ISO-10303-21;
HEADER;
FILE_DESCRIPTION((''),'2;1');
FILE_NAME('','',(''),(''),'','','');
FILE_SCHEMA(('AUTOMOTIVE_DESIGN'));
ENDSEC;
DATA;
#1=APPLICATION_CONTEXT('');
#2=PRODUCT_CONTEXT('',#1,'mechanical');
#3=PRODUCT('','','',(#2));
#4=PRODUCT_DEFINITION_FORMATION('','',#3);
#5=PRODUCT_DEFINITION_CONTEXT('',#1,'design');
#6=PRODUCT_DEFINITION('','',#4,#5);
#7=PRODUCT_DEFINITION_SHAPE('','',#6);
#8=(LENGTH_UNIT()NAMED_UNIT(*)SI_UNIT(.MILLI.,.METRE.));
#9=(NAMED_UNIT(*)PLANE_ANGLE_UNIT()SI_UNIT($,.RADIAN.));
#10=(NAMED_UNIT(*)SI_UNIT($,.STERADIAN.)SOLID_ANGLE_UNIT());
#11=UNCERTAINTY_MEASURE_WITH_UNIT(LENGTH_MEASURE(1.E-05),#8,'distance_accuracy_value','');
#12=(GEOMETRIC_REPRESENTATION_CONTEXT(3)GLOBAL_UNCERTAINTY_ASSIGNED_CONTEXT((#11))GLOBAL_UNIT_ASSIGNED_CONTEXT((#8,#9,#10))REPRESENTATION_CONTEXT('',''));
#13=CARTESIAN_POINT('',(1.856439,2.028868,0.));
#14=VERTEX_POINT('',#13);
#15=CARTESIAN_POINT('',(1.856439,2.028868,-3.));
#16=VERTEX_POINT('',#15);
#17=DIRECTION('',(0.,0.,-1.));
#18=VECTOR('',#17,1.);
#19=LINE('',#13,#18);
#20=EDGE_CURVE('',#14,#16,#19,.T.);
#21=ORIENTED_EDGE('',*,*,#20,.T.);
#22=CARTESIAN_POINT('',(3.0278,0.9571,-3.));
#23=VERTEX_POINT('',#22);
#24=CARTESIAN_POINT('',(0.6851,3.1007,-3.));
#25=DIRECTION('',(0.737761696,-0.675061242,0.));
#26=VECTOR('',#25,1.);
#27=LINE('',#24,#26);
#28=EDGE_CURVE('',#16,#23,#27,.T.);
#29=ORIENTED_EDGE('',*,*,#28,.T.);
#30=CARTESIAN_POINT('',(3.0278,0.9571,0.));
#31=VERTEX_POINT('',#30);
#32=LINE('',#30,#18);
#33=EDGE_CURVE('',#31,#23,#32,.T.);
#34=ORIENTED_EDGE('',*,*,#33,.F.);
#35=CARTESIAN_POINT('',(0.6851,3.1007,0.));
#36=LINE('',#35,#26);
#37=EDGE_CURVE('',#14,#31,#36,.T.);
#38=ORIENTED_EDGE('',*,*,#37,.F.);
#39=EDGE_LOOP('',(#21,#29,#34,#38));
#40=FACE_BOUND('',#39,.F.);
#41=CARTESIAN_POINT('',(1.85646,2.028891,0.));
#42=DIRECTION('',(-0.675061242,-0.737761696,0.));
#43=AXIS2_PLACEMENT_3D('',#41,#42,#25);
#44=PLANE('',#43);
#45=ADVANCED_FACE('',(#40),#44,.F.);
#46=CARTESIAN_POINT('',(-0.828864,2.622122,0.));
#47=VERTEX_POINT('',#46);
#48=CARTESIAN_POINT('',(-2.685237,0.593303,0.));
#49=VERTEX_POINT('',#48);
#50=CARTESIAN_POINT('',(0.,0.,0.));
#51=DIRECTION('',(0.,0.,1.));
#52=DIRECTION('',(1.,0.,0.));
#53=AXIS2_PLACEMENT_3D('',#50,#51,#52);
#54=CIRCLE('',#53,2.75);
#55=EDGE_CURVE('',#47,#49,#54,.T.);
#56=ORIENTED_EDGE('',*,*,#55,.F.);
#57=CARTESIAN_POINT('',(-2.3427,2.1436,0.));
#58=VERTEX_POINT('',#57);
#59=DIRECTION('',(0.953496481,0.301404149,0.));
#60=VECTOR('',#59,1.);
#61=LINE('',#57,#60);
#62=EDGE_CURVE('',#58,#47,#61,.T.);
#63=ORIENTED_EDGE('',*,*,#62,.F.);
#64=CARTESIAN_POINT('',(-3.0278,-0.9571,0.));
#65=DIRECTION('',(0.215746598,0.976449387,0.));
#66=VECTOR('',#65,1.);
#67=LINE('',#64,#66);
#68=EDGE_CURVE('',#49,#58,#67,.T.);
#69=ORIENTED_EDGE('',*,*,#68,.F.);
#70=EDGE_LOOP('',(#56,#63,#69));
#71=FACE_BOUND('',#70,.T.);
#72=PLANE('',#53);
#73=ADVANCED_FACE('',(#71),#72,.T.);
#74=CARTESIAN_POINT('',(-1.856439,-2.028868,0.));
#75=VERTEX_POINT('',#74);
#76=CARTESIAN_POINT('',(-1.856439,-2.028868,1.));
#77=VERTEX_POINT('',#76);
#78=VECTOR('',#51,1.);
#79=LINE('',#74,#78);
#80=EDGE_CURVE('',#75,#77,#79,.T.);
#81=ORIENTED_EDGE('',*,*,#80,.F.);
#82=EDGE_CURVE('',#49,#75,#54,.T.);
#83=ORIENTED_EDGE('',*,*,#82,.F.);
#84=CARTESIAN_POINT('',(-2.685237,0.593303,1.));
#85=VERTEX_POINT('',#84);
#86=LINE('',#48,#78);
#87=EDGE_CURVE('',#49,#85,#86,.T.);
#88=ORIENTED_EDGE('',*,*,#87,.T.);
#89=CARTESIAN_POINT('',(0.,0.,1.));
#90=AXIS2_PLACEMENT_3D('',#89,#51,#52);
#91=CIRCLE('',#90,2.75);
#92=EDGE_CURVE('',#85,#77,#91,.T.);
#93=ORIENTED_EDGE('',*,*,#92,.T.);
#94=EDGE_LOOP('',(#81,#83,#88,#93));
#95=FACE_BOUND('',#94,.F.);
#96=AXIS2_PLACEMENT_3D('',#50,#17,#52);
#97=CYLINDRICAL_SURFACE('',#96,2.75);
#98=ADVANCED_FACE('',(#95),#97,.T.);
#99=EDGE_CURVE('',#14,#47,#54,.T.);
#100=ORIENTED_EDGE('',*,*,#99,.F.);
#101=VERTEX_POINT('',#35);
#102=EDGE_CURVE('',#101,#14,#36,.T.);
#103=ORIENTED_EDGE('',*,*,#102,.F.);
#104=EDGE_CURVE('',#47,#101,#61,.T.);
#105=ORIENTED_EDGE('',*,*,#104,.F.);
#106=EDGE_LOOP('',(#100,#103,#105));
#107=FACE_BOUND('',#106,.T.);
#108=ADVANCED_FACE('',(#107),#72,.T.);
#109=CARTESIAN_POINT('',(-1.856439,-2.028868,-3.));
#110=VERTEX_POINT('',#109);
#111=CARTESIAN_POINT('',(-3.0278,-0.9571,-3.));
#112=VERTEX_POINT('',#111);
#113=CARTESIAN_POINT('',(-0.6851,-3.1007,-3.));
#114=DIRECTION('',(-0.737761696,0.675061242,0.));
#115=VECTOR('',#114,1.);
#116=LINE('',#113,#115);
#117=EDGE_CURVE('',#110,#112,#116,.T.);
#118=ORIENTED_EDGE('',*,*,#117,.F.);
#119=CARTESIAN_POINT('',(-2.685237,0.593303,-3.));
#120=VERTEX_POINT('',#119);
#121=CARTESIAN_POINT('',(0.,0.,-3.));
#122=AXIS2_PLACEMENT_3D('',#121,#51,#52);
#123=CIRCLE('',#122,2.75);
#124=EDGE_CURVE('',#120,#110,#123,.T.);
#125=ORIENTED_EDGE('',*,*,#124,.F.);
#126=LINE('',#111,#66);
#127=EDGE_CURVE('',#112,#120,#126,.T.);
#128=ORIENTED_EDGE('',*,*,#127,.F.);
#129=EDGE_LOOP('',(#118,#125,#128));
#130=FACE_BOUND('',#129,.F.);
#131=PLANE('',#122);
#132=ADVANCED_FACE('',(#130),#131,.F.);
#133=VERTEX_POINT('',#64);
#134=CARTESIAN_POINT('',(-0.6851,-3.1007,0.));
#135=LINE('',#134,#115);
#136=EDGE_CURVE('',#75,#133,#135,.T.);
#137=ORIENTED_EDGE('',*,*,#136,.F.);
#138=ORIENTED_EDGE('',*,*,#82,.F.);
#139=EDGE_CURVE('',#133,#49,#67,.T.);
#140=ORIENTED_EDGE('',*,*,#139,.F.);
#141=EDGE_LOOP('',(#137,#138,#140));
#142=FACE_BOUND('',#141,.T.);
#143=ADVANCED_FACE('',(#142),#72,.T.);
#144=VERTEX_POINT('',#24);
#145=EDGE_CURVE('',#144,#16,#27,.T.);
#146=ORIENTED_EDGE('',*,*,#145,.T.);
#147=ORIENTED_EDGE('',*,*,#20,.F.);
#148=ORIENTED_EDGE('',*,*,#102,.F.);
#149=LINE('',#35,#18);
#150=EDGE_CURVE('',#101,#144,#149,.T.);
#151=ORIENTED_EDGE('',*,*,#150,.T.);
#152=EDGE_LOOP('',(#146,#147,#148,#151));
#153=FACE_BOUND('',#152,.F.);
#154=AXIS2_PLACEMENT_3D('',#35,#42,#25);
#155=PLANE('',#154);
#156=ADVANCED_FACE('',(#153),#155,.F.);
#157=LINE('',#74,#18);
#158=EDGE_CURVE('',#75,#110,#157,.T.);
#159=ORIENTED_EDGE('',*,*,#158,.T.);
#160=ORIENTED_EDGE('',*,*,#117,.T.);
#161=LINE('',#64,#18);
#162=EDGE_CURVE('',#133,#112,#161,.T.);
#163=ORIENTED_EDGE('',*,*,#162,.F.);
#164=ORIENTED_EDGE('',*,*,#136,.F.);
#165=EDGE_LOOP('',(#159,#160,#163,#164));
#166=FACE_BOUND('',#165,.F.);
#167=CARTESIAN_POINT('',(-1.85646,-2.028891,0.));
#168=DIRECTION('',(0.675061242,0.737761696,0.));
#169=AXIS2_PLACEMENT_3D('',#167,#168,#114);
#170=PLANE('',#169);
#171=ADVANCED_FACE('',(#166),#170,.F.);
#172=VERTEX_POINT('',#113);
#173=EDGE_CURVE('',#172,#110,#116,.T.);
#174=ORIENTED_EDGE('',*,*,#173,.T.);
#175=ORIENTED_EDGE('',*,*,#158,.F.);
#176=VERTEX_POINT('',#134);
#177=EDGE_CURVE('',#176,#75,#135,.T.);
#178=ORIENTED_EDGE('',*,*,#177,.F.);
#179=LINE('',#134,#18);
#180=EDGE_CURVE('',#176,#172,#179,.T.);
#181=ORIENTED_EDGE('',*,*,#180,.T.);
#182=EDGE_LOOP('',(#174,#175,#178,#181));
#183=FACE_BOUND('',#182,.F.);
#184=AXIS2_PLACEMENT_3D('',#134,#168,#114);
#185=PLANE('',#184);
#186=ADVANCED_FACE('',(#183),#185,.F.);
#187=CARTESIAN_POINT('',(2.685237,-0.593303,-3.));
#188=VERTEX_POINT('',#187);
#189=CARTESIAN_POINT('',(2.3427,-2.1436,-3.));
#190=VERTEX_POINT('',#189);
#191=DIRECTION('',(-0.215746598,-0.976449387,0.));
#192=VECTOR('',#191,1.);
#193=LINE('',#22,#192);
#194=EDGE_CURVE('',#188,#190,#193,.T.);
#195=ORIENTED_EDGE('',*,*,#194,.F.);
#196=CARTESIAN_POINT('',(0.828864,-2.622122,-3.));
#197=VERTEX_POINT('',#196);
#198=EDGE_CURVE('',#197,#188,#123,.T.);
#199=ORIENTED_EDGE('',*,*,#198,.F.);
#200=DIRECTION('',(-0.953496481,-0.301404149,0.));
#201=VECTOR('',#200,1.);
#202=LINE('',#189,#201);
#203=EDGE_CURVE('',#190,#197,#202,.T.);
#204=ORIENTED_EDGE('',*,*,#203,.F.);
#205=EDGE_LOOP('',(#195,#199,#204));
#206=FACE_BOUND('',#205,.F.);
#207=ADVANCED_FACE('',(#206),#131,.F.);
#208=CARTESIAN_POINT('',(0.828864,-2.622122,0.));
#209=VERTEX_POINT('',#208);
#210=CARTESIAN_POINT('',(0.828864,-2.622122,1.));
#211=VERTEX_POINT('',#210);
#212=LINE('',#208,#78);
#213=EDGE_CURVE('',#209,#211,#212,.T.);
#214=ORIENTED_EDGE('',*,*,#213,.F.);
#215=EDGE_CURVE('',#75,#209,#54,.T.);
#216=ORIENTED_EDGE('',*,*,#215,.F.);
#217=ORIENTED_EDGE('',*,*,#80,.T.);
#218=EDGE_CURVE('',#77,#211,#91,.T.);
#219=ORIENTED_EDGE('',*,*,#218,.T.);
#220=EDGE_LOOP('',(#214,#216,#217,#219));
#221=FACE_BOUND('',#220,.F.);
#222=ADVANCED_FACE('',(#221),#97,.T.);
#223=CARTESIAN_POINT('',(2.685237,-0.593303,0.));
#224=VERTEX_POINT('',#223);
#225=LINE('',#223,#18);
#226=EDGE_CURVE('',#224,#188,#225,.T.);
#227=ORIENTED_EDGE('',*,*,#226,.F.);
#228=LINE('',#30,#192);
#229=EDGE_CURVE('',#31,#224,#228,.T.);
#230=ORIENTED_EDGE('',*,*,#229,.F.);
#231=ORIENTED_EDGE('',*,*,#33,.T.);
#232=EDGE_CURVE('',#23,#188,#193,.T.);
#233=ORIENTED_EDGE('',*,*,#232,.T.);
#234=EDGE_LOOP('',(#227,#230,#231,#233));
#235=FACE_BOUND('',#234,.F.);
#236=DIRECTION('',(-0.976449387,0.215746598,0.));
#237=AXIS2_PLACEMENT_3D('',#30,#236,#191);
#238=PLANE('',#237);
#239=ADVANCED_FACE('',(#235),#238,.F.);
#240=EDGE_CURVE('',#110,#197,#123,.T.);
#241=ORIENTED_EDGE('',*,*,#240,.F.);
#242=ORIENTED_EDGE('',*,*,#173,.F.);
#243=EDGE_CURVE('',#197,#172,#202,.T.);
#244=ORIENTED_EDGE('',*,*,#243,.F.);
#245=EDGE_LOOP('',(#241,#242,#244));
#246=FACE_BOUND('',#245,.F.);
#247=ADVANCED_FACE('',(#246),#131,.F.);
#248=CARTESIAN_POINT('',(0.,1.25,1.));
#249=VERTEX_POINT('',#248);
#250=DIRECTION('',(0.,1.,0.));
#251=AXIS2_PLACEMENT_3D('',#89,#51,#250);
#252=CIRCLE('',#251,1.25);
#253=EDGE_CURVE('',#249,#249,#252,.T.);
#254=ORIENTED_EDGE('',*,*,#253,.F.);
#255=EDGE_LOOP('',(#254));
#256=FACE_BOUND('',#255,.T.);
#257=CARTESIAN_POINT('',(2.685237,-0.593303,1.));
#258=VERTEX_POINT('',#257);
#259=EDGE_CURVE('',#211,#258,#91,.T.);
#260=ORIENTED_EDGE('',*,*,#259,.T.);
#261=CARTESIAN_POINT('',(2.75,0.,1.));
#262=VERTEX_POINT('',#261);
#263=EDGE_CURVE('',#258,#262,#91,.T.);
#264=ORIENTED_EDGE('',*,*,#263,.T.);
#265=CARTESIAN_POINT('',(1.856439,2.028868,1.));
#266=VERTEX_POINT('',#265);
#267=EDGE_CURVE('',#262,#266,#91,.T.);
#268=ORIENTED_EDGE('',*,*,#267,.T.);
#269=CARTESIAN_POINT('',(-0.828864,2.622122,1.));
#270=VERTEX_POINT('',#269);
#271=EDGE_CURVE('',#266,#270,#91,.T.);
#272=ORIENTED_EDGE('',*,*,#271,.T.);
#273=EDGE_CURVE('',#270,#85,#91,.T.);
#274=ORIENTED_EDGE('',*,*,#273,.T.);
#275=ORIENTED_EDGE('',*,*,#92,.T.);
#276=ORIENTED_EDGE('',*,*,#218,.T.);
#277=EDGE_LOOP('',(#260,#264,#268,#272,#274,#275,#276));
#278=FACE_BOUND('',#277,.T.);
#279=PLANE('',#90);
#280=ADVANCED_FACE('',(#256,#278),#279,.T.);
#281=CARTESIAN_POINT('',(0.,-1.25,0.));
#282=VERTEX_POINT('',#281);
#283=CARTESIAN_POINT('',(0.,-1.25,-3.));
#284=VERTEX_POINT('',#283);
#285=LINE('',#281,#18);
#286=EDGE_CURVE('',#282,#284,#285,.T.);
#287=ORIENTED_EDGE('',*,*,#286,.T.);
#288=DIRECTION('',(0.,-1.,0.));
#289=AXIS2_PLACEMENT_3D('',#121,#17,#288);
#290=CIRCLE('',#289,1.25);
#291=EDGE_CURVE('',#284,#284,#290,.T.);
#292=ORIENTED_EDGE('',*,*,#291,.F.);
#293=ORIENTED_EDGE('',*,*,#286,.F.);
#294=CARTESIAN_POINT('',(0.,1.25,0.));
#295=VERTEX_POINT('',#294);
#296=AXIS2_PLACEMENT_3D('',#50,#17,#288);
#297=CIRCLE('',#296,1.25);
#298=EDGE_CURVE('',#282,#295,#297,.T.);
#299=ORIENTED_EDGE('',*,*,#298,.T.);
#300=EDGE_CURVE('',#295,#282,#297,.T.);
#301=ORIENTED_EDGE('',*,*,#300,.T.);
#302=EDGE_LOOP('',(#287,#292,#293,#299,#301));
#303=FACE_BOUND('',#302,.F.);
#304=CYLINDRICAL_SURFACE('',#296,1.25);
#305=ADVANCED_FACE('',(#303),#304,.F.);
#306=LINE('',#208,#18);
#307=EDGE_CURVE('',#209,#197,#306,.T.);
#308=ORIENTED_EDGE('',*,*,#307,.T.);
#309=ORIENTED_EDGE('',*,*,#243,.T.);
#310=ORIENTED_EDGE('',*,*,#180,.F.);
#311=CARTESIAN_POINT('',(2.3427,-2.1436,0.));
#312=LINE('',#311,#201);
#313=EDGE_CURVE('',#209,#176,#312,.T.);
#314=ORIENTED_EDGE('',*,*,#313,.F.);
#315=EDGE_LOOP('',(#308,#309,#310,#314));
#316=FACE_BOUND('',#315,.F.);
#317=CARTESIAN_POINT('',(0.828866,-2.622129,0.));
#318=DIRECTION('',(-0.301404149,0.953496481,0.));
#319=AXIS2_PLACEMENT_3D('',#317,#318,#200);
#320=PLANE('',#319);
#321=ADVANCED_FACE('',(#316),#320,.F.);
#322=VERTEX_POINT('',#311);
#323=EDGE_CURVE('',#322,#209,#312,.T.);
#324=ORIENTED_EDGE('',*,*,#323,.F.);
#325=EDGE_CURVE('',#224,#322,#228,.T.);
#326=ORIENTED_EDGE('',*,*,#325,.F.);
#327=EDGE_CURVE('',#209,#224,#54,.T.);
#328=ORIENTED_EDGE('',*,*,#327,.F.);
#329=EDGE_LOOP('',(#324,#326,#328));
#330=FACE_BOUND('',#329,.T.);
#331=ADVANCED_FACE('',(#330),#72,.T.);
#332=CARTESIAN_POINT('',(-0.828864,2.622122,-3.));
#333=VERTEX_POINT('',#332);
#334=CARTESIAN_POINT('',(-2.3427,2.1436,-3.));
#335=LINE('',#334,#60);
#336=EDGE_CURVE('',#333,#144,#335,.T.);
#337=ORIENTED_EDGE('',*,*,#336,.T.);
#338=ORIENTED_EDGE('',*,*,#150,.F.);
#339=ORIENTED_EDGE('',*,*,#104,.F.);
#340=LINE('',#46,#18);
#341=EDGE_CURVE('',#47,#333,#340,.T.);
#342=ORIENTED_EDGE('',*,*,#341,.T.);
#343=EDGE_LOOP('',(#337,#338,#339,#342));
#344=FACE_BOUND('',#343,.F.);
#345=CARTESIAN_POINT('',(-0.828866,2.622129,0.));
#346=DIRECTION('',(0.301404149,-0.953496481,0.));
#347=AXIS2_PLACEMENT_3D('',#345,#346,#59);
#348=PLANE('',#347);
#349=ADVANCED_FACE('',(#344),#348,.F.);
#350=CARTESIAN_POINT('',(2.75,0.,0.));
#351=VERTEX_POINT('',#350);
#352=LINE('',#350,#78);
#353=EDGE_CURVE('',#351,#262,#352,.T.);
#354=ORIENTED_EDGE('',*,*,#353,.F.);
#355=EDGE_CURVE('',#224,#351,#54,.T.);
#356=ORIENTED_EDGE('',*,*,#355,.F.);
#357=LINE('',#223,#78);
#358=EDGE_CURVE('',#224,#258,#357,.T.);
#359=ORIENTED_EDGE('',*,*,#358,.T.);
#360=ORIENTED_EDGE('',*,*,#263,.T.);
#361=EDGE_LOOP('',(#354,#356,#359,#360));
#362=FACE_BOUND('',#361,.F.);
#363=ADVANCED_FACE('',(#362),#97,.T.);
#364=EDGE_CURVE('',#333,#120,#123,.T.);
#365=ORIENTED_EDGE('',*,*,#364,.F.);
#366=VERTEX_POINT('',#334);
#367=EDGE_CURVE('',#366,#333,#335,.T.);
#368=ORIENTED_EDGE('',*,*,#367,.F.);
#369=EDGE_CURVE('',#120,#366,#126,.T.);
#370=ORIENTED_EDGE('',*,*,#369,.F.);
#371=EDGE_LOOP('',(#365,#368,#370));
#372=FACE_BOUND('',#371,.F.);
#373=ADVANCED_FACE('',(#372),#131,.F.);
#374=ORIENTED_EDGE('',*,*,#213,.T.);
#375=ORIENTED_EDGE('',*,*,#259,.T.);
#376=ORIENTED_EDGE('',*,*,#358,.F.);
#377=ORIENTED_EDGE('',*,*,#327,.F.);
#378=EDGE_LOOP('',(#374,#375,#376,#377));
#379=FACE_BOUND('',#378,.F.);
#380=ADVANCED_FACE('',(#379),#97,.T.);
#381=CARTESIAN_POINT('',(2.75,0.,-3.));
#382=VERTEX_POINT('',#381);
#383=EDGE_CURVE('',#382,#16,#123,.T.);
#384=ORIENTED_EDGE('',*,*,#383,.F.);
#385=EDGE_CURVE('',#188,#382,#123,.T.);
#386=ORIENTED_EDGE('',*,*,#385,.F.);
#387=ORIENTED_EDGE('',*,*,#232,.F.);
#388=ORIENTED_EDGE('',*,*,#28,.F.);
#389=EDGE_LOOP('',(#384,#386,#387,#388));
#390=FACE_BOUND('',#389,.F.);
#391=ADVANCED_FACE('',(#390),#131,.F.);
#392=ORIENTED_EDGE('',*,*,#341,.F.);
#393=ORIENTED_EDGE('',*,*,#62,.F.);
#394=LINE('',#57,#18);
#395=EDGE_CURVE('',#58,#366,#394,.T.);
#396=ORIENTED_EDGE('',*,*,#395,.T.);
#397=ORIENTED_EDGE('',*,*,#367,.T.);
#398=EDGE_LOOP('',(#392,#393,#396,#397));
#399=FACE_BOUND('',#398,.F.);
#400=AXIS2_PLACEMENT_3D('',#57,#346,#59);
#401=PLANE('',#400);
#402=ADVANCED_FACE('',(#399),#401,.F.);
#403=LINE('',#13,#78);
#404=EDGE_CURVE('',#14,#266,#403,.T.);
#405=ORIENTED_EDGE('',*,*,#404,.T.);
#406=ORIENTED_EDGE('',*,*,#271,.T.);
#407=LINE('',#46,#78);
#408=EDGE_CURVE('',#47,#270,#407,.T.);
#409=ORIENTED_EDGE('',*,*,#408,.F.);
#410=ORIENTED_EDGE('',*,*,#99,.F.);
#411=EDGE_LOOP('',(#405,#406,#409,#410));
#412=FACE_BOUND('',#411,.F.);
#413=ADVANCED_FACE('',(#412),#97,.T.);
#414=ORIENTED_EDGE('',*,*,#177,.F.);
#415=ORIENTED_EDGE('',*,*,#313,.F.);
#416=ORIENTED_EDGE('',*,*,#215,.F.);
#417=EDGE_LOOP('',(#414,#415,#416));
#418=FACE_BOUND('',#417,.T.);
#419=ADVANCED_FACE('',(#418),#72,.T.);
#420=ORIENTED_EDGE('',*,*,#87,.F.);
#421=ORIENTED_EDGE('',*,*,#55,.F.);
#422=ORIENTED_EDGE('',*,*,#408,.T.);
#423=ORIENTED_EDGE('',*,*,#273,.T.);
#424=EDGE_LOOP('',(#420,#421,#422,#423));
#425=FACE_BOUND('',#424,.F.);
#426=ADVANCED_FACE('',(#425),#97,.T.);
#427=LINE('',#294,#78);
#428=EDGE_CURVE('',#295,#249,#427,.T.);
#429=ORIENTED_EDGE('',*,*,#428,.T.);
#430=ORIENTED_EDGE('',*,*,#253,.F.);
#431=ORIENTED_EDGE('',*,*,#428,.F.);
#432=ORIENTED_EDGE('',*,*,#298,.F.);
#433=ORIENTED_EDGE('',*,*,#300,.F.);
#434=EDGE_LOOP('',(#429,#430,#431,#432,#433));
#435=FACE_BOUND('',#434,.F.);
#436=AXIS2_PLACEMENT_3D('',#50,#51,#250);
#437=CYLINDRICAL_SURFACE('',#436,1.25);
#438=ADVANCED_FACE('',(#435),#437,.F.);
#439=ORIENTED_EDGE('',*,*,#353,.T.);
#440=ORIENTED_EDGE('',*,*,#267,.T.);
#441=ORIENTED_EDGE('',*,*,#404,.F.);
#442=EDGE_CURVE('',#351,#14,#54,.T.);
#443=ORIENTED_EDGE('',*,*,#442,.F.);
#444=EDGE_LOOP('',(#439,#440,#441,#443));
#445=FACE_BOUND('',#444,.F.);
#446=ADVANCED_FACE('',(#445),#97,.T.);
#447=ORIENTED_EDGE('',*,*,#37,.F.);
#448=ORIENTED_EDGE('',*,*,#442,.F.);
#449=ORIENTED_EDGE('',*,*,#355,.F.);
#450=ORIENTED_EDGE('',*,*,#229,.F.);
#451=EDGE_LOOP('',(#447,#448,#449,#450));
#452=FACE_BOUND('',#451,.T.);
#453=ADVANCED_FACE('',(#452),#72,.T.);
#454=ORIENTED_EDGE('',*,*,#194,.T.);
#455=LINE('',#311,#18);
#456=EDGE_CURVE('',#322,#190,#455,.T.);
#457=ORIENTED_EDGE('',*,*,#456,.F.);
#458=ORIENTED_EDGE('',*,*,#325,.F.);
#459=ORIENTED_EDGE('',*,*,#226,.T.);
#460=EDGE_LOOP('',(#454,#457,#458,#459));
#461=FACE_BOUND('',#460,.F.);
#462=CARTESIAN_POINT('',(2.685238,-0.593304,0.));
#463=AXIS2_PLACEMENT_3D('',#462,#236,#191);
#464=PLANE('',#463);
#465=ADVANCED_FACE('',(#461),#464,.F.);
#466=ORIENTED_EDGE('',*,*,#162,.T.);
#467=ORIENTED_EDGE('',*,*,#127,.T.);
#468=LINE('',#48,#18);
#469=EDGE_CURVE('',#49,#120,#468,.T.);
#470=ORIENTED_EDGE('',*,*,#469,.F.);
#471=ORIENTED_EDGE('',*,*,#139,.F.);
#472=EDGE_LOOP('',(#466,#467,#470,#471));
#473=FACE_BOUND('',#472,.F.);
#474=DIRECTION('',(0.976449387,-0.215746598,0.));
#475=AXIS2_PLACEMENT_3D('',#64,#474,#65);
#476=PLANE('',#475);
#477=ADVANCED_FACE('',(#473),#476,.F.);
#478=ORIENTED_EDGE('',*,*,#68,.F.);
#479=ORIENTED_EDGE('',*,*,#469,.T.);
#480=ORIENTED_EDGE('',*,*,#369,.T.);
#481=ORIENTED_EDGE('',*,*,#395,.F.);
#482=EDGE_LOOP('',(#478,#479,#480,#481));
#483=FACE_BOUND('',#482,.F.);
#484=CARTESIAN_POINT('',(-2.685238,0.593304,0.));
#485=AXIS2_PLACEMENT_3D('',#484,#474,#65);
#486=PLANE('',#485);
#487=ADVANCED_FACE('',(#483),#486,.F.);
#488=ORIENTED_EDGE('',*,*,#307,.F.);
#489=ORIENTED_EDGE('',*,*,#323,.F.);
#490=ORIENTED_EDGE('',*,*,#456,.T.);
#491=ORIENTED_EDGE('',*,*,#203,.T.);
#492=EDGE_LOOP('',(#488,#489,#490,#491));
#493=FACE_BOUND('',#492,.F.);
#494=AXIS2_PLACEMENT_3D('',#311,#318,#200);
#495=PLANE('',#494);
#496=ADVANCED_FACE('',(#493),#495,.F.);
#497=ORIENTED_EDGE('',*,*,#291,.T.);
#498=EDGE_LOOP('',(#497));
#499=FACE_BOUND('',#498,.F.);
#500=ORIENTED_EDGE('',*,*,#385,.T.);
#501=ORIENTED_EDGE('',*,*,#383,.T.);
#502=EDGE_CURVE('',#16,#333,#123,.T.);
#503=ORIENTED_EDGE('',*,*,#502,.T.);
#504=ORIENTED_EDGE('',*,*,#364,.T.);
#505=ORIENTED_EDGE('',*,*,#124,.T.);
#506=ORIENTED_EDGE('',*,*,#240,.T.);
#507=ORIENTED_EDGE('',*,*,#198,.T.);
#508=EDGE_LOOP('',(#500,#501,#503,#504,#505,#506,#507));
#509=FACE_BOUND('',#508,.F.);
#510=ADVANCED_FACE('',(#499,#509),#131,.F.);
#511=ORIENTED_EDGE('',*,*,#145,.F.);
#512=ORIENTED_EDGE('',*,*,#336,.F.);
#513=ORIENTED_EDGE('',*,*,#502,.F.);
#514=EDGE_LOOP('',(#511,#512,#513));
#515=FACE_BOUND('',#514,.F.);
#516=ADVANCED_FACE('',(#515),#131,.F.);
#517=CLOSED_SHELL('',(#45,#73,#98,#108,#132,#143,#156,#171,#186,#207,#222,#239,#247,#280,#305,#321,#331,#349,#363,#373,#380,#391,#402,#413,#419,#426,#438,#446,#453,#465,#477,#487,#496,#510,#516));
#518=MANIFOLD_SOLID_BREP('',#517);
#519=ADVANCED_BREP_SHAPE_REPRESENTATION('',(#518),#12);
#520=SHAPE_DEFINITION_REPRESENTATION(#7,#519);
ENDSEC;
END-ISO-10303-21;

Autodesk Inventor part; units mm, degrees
ref_plane "YZ Plane" through (0, 0, 0) normal (1, 0, 0) x (0, 1, 0)
ref_plane "XZ Plane" through (0, 0, 0) normal (0, 1, 0) x (-1, 0, 0)
ref_plane "XY Plane" through (0, 0, 0) normal (0, 0, 1) x (1, 0, 0)
sketch "スケッチ1" plane through (0, 0, 0) normal (0, 0, 1) x (1, 0, 0)
  line L0 (3.0278, 0.9571) -> (2.3427, -2.1436)
  line L1 (2.3427, -2.1436) -> (-0.6851, -3.1007)
  line L2 (-0.6851, -3.1007) -> (-3.0278, -0.9571)
  line L3 (-3.0278, -0.9571) -> (-2.3427, 2.1436)
  line L4 (-2.3427, 2.1436) -> (0.6851, 3.1007)
  line L5 (0.6851, 3.1007) -> (3.0278, 0.9571)
  circle A0 centre (0, 0) radius 2.75
  dimension "d0" = 6.3509
  dimension "d1" = 5.5
extrude "押し出し1" add sketch "スケッチ1" along normal blind 1 contours A0
extrude "押し出し2" add sketch "スケッチ1" against normal blind 3
hole "穴1" at (0, 0, 0) direction (0, 0, -1) diameter 2.5 end through all
hole "穴2" at (0, 0, 0) direction (0, 0, 1) diameter 2.5 end through all
properties part number "ナイロンナットm3" material "ステンレス鋼"
